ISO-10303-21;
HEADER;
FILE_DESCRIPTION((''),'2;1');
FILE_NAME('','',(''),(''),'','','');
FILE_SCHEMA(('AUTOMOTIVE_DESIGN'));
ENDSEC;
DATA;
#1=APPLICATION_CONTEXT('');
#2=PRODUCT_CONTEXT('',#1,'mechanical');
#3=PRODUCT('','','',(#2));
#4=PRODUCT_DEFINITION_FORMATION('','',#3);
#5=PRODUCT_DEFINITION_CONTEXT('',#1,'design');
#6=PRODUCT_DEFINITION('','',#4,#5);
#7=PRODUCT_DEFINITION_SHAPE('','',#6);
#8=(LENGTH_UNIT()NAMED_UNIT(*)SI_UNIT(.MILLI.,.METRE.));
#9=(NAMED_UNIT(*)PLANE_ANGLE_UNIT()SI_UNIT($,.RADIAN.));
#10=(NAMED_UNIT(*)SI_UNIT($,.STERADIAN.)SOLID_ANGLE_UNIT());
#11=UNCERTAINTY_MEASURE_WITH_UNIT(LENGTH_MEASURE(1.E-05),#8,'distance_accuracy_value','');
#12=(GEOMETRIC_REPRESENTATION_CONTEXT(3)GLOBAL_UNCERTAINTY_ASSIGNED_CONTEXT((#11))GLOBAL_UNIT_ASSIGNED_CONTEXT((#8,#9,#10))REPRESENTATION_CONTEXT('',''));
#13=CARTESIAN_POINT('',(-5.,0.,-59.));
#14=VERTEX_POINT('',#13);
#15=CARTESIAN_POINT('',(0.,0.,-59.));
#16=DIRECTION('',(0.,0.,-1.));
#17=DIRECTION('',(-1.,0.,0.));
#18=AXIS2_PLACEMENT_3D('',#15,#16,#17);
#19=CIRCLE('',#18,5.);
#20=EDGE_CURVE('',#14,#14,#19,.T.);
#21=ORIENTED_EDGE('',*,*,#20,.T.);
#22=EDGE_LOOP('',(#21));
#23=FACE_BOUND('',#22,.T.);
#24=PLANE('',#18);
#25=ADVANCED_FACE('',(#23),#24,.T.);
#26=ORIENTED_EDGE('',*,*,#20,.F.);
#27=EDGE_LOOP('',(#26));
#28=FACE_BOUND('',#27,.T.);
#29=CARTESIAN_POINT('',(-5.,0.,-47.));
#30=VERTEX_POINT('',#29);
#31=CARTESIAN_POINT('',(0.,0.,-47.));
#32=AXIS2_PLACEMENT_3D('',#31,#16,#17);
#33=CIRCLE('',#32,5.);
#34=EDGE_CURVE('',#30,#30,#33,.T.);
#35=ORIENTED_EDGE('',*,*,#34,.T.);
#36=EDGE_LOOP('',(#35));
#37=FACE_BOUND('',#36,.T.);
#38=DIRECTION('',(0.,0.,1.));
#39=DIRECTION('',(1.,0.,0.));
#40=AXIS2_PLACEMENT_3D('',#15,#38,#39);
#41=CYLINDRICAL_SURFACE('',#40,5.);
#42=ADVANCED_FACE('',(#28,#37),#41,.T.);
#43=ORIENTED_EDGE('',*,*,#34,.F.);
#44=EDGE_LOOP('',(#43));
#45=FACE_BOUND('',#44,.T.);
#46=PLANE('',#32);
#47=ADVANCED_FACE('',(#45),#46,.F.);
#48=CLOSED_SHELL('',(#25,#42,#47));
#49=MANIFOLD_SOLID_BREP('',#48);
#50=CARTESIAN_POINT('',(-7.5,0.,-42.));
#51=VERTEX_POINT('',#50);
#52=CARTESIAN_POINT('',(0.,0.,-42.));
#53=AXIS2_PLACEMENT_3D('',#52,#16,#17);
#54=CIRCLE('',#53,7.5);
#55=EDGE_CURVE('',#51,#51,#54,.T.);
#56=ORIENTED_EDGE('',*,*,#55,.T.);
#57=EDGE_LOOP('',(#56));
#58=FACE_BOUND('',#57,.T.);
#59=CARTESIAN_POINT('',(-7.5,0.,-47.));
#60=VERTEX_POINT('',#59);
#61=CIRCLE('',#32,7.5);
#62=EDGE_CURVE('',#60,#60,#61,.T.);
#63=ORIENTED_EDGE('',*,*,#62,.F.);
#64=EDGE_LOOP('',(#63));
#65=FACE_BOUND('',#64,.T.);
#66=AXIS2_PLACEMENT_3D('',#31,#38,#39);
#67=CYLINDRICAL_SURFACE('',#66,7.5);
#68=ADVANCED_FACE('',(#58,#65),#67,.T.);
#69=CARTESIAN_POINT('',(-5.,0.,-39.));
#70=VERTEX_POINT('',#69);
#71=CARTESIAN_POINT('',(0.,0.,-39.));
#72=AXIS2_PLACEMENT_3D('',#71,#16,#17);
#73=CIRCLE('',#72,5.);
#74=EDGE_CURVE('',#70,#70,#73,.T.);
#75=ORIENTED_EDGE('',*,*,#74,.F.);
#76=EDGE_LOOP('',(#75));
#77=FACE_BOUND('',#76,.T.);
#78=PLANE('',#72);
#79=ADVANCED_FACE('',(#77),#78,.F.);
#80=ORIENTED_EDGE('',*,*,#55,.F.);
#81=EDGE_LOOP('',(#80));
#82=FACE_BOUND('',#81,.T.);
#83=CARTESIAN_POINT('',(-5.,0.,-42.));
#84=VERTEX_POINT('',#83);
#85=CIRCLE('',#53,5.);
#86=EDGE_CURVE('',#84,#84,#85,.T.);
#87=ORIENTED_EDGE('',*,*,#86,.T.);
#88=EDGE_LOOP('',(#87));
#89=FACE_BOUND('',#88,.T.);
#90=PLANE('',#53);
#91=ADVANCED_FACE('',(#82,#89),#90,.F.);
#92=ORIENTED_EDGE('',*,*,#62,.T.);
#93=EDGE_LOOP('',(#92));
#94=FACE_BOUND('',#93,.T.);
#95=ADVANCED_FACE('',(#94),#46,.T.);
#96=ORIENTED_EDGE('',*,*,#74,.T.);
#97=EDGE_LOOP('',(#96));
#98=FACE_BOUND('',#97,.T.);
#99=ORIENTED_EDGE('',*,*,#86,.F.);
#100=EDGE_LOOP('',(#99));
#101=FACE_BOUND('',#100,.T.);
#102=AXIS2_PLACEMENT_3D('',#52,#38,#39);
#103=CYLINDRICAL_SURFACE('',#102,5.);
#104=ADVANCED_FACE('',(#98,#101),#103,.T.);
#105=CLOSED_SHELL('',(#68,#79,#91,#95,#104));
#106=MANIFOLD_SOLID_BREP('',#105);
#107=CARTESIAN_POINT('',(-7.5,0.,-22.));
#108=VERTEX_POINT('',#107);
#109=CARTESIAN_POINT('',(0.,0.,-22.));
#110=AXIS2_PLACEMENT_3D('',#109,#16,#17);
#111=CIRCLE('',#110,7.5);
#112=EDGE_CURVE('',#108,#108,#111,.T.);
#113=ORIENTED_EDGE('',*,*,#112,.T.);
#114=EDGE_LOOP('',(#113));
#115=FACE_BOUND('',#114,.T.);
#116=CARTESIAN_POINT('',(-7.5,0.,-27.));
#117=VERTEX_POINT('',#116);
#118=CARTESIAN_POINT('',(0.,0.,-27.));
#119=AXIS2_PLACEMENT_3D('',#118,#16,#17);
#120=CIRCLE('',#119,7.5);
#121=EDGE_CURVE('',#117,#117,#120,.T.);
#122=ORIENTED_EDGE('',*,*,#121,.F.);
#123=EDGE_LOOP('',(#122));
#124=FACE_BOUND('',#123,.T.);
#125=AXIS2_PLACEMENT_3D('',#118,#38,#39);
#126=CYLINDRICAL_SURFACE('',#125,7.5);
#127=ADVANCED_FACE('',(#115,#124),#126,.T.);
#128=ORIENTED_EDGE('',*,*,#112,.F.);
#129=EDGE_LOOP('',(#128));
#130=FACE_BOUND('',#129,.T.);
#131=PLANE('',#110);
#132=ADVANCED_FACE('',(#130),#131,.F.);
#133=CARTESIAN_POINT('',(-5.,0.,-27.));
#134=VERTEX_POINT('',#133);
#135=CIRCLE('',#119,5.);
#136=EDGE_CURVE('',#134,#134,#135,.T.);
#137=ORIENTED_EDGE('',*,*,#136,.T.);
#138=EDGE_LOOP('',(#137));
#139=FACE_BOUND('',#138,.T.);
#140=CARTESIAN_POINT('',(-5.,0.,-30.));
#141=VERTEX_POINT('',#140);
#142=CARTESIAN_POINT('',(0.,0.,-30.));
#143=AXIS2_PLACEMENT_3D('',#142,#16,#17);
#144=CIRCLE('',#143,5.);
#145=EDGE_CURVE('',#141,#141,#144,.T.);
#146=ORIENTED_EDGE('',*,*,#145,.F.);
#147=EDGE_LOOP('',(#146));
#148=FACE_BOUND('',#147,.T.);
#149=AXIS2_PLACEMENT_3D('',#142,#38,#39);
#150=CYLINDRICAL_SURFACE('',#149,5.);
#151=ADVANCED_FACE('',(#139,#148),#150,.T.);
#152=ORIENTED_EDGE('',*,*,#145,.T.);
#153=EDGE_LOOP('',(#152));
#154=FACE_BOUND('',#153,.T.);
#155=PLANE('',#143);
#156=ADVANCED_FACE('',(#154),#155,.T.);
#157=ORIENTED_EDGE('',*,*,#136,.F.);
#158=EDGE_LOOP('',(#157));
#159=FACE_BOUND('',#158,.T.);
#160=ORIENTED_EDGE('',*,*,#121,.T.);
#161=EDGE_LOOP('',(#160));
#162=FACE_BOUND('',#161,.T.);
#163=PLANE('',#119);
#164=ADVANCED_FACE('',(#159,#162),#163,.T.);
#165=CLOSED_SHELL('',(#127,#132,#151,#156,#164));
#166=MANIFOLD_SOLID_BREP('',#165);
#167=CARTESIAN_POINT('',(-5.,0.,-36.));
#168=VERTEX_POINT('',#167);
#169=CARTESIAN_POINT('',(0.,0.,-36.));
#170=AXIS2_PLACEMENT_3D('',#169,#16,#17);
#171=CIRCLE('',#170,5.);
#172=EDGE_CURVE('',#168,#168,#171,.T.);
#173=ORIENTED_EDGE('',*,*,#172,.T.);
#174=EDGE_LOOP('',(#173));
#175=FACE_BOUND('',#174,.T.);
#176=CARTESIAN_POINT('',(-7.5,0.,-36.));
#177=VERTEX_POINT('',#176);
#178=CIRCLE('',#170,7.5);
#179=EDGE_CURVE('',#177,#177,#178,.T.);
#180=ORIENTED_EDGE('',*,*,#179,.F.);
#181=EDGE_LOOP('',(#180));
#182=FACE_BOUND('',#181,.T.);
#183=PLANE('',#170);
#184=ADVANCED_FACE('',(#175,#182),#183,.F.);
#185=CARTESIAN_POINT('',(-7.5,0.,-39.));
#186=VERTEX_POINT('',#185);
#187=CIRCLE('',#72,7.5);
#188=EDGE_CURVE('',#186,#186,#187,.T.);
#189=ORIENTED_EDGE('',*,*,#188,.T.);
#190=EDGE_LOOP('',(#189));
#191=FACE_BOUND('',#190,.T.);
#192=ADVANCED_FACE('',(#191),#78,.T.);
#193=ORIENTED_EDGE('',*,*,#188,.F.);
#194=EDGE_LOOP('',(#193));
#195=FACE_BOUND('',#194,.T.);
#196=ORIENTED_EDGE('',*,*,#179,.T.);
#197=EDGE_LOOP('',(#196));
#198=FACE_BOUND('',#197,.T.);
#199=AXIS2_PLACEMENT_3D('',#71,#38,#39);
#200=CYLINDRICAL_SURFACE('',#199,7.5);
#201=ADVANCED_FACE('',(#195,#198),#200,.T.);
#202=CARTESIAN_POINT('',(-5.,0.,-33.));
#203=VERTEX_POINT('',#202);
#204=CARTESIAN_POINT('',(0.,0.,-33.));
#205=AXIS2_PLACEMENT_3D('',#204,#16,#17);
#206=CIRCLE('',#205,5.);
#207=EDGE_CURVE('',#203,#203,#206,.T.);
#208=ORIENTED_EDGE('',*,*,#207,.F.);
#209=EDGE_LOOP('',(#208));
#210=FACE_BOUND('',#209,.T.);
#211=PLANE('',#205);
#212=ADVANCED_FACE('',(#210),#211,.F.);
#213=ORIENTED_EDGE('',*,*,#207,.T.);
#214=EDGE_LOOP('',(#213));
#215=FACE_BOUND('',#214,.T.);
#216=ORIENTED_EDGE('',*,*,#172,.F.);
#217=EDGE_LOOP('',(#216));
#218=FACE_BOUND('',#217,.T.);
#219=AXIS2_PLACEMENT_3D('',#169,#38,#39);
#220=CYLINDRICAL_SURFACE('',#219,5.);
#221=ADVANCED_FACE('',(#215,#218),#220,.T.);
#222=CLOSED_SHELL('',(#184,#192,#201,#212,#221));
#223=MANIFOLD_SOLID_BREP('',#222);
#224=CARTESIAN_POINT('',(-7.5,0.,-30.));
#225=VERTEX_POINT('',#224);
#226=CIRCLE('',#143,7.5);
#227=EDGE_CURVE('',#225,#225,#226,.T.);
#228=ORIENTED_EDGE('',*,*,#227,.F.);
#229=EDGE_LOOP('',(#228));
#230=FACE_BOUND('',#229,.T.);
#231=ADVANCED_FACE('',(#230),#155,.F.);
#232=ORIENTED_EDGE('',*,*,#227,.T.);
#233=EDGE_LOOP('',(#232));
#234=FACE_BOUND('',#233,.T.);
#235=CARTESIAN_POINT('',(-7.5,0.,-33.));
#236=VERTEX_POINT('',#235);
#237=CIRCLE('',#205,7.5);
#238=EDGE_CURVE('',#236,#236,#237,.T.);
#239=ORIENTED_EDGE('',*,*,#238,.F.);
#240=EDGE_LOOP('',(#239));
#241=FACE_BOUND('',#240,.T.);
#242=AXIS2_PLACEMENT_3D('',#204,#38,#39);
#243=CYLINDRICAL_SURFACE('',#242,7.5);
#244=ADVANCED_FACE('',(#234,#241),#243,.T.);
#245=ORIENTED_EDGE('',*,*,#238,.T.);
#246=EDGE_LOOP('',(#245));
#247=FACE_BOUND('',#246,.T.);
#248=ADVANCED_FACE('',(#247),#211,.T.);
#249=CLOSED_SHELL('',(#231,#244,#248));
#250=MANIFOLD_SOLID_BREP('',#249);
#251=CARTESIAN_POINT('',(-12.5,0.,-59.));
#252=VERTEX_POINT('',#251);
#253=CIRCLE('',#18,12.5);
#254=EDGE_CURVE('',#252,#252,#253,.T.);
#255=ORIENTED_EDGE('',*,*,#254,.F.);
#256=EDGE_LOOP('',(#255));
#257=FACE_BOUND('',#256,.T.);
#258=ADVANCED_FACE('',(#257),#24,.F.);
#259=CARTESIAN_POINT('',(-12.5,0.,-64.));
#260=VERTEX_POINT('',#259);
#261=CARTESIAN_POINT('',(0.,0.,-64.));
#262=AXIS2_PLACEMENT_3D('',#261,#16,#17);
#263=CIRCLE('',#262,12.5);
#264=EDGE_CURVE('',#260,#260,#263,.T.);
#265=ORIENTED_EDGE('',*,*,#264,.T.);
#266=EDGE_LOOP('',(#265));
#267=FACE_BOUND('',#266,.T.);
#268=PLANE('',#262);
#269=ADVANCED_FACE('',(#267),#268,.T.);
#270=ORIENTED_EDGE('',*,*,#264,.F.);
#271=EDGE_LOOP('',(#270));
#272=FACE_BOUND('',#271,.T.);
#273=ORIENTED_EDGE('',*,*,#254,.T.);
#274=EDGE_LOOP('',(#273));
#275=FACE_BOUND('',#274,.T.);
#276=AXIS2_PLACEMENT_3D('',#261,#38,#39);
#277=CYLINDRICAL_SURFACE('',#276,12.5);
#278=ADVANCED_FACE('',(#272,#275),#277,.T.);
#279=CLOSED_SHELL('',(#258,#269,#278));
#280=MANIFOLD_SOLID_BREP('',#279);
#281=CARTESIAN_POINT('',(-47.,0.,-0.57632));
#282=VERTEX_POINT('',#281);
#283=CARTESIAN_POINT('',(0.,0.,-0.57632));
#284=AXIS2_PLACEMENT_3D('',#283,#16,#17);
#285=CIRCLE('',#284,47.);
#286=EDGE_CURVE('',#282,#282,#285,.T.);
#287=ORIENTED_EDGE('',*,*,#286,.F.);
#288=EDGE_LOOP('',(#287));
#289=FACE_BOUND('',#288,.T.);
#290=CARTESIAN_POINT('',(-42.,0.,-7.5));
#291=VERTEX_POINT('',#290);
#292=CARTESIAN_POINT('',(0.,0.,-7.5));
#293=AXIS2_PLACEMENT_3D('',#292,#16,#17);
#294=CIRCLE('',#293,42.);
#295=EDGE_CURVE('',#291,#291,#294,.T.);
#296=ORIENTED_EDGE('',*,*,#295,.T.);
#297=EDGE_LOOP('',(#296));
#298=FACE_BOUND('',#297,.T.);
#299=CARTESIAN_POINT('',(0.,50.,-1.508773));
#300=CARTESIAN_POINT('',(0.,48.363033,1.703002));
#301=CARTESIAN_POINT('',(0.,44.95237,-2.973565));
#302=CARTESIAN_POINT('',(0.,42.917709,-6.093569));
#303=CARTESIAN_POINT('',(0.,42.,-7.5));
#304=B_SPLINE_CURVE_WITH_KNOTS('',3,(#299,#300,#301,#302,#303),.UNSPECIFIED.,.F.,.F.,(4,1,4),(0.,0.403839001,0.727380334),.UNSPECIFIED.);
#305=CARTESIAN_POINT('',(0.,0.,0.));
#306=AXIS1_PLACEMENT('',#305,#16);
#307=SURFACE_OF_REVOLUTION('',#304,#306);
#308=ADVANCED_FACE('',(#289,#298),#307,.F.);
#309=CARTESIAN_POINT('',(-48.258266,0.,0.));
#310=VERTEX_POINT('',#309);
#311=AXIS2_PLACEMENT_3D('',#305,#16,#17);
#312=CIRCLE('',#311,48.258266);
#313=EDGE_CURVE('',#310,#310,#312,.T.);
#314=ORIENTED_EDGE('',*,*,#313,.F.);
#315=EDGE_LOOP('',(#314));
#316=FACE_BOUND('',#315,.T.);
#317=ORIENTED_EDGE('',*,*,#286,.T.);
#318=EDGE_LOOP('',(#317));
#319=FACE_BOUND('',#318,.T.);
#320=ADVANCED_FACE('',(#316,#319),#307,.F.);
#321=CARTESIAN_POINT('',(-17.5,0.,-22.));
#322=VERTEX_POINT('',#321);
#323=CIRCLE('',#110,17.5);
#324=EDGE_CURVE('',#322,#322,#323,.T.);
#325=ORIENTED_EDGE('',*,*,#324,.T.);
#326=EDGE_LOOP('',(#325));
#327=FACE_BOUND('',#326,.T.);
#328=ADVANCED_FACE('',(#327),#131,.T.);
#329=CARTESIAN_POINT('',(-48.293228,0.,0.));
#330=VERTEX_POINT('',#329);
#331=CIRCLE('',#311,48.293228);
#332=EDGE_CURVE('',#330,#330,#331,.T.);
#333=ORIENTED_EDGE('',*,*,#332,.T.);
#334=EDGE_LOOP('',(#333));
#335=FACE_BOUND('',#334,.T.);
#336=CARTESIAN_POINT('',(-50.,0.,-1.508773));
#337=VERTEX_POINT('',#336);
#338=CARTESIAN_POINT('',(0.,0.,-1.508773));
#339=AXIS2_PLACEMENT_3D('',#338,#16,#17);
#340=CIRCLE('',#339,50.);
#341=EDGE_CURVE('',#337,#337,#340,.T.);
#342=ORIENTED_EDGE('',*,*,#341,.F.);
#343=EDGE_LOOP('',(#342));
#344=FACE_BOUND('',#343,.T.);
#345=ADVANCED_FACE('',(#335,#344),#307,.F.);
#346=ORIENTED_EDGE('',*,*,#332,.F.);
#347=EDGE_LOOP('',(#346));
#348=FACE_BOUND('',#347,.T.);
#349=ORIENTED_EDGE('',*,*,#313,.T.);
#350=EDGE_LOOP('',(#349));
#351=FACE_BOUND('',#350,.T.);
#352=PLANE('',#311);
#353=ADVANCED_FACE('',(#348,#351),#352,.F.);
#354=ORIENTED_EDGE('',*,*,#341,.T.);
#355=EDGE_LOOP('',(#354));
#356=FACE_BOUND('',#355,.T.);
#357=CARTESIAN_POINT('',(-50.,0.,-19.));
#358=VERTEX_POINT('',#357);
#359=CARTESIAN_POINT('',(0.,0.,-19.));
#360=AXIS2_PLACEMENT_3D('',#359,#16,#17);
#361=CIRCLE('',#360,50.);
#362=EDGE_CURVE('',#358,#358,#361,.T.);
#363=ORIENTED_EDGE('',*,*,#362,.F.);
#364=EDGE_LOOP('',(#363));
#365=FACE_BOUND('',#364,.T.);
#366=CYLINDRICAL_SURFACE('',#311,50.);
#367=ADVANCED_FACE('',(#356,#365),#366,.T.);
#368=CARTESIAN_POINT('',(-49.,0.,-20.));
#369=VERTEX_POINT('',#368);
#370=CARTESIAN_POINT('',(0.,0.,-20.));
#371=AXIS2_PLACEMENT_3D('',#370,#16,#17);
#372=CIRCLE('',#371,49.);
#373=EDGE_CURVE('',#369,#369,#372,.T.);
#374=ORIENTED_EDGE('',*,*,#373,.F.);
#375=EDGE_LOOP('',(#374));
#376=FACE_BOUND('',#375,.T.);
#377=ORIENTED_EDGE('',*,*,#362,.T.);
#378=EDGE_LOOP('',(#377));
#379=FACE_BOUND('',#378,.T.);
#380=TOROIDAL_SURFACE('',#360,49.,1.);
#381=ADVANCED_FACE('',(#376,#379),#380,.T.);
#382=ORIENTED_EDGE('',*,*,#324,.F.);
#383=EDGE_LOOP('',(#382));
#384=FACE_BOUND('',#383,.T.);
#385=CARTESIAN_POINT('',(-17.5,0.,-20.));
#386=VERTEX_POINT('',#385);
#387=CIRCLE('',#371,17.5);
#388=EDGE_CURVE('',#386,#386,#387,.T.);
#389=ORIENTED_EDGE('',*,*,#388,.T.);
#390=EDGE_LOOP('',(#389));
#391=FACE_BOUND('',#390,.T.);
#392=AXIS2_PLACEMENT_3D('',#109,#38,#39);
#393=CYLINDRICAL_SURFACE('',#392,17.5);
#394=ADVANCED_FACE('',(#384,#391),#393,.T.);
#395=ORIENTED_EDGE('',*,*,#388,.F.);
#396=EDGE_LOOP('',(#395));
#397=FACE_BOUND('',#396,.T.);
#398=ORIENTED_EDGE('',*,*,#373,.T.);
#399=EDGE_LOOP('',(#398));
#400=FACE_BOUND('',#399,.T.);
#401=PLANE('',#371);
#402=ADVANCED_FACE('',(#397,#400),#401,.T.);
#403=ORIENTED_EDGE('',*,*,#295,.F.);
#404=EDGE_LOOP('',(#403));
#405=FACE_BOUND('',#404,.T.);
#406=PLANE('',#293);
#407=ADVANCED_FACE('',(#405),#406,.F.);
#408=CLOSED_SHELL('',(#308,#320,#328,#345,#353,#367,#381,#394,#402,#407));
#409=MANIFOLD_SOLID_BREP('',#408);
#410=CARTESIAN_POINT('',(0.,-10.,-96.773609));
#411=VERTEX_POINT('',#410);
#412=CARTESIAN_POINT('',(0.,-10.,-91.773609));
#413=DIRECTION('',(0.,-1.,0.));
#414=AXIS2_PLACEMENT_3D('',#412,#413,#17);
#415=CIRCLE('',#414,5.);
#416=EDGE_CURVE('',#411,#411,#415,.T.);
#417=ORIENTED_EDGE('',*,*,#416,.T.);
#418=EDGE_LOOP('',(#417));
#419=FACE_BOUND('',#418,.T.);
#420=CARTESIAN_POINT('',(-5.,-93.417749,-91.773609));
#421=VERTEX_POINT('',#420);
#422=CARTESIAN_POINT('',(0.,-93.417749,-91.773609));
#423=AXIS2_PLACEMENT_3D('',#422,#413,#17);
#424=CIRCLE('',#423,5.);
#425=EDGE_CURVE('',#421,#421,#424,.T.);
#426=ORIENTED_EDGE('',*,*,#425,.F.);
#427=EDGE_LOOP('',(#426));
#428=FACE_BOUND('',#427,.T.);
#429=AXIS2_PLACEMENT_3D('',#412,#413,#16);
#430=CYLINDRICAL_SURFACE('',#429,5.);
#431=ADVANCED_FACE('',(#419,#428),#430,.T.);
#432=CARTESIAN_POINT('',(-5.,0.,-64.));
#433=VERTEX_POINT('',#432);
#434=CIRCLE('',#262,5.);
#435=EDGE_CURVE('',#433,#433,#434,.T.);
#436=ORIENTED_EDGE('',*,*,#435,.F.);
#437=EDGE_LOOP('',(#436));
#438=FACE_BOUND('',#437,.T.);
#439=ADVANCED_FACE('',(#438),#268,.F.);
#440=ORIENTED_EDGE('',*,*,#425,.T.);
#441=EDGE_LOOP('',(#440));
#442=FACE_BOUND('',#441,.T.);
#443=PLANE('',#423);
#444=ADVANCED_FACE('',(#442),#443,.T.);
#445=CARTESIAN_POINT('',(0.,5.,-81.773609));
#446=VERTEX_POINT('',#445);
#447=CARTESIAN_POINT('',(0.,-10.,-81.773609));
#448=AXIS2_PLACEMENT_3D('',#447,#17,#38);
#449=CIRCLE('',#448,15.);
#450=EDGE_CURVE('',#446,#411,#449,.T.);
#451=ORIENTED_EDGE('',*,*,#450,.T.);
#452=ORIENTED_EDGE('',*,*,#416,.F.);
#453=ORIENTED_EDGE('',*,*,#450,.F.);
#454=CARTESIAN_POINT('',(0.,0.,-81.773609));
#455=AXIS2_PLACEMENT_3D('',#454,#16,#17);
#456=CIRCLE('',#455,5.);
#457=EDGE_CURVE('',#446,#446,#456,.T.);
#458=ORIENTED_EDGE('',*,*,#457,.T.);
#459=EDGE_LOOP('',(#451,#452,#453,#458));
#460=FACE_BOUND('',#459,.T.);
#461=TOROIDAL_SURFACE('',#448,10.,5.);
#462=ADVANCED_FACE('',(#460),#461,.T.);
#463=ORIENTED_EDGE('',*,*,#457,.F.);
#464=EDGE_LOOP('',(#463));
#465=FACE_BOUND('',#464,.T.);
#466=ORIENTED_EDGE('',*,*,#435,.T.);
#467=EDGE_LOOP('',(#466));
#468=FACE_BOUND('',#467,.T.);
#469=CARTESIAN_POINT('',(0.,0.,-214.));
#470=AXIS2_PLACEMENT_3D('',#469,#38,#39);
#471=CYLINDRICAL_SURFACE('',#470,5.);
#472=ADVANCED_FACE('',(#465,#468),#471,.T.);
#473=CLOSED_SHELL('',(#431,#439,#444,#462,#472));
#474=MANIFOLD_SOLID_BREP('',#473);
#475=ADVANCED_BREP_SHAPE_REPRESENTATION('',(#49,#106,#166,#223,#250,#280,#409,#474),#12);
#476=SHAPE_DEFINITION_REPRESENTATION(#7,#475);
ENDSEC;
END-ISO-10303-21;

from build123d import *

# Parameters (mm, degrees)
SKETCH2_R            = 17.5
BOSS_EXTRUDE1_DEPTH  = 2
SKETCH4_R            = 7.5
BOSS_EXTRUDE2_DEPTH  = 5
SKETCH5_R            = 5
BOSS_EXTRUDE3_DEPTH  = 3
SKETCH6_R            = 7.5
BOSS_EXTRUDE4_DEPTH  = 3
SKETCH7_R            = 5
BOSS_EXTRUDE5_DEPTH  = 3
SKETCH8_R            = 7.5
BOSS_EXTRUDE6_DEPTH  = 3
SKETCH9_R            = 5
BOSS_EXTRUDE7_DEPTH  = 3
SKETCH10_R           = 7.5
BOSS_EXTRUDE8_DEPTH  = 5
SKETCH11_R           = 5
BOSS_EXTRUDE9_DEPTH  = 12
SKETCH12_R           = 12.5
BOSS_EXTRUDE10_DEPTH = 5
SKETCH13_R           = 5
BOSS_EXTRUDE11_DEPTH = 150
SKETCH15_W           = 126.965595496
SKETCH15_H           = 152.993542573
CUT_EXTRUDE1_DEPTH   = 84
SKETCH16_R           = 5


with BuildPart() as part:
    # Sketch1 → Revolve1 (revolve)
    with BuildSketch(Plane(origin=(0, 0, 0), x_dir=(0, 0, -1), z_dir=(1, 0, 0)), mode=Mode.PRIVATE) as revolve1_sk:
        with BuildLine():
            Line((7.5, 42), (7.5, 0))
            Line((7.5, 0), (20, 0))
            Line((20, 0), (20, 49))
            ThreePointArc((20, 49), (19.707106781, 49.707106781), (19, 50))
            Line((19, 50), (1.508773395, 50))
            add(Edge.make_bspline(
                [(1.508773395, 50), (0.432324338, 49.451358887), (0.008310505, 48.873891546), (0, 48.293227533)],
                knots=[0, 0, 0, 0, 0.135349479, 0.135349479, 0.135349479, 0.135349479], degree=3))
            Line((0, 48.293227533), (0, 48.258265787))
            add(Edge.make_bspline(
                [(0, 48.258265787), (0.016256181, 47.11783752), (3.565780066, 44.566166731), (6.093568686, 42.91770881), (7.5, 42)],
                knots=[0.138065657, 0.138065657, 0.138065657, 0.138065657, 0.403839001, 0.727380334, 0.727380334, 0.727380334, 0.727380334], degree=3))
        make_face()
    revolve(revolve1_sk.sketch.rotate(Axis((0, 0, 0), (0, 0, -1)), 270), axis=Axis((0, 0, 0), (0, 0, -1)))

    # Sketch2 → Boss-Extrude1 (add)
    with BuildSketch(Plane(origin=(0, 0, -20), x_dir=(-1, 0, 0), z_dir=(0, 0, -1))):
        Circle(SKETCH2_R)
    extrude(amount=BOSS_EXTRUDE1_DEPTH)


with BuildPart() as body_2:
    # Sketch4 → Boss-Extrude2 (new body)
    with BuildSketch(Plane(origin=(0, 0, -22), x_dir=(-1, 0, 0), z_dir=(0, 0, -1))):
        Circle(SKETCH4_R)
    extrude(amount=BOSS_EXTRUDE2_DEPTH)

    # Sketch5 → Boss-Extrude3 (add)
    with BuildSketch(Plane(origin=(0, 0, -27), x_dir=(-1, 0, 0), z_dir=(0, 0, -1))):
        Circle(SKETCH5_R)
    extrude(amount=BOSS_EXTRUDE3_DEPTH)


with BuildPart() as body_3:
    # Sketch6 → Boss-Extrude4 (new body)
    with BuildSketch(Plane(origin=(0, 0, -30), x_dir=(-1, 0, 0), z_dir=(0, 0, -1))):
        Circle(SKETCH6_R)
    extrude(amount=BOSS_EXTRUDE4_DEPTH)


with BuildPart() as body_4:
    # Sketch7 → Boss-Extrude5 (new body)
    with BuildSketch(Plane(origin=(0, 0, -33), x_dir=(-1, 0, 0), z_dir=(0, 0, -1))):
        Circle(SKETCH7_R)
    extrude(amount=BOSS_EXTRUDE5_DEPTH)

    # Sketch8 → Boss-Extrude6 (add)
    with BuildSketch(Plane(origin=(0, 0, -36), x_dir=(-1, 0, 0), z_dir=(0, 0, -1))):
        Circle(SKETCH8_R)
    extrude(amount=BOSS_EXTRUDE6_DEPTH)


with BuildPart() as body_5:
    # Sketch9 → Boss-Extrude7 (new body)
    with BuildSketch(Plane(origin=(0, 0, -39), x_dir=(-1, 0, 0), z_dir=(0, 0, -1))):
        Circle(SKETCH9_R)
    extrude(amount=BOSS_EXTRUDE7_DEPTH)

    # Sketch10 → Boss-Extrude8 (add)
    with BuildSketch(Plane(origin=(0, 0, -42), x_dir=(-1, 0, 0), z_dir=(0, 0, -1))):
        Circle(SKETCH10_R)
    extrude(amount=BOSS_EXTRUDE8_DEPTH)


with BuildPart() as body_6:
    # Sketch11 → Boss-Extrude9 (new body)
    with BuildSketch(Plane(origin=(0, 0, -47), x_dir=(-1, 0, 0), z_dir=(0, 0, -1))):
        Circle(SKETCH11_R)
    extrude(amount=BOSS_EXTRUDE9_DEPTH)


with BuildPart() as body_7:
    # Sketch12 → Boss-Extrude10 (new body)
    with BuildSketch(Plane(origin=(0, 0, -59), x_dir=(-1, 0, 0), z_dir=(0, 0, -1))):
        Circle(SKETCH12_R)
    extrude(amount=BOSS_EXTRUDE10_DEPTH)


with BuildPart() as body_8:
    # Sketch13 → Boss-Extrude11 (new body)
    with BuildSketch(Plane(origin=(0, 0, -64), x_dir=(-1, 0, 0), z_dir=(0, 0, -1))):
        Circle(SKETCH13_R)
    extrude(amount=BOSS_EXTRUDE11_DEPTH)

    # Sketch15 → Cut-Extrude1 (cut, symmetric)
    with BuildSketch(Plane(origin=(0, 0, 0), x_dir=(1, 0, 0), z_dir=(0, 1, 0))):
        with Locations((-3.174139887, 154.9295123)):
            Rectangle(SKETCH15_W, SKETCH15_H)
    extrude(amount=CUT_EXTRUDE1_DEPTH, both=True, mode=Mode.SUBTRACT)

    # Sweep1: sweep along a path in Sketch17
    with BuildLine(Plane(origin=(0, 0, 0), x_dir=(0, 0, -1), z_dir=(1, 0, 0))) as sweep1_path:
        Line((78.432741013, 0), (81.773609231, 0))
        ThreePointArc((81.773609231, 0), (88.844677043, -2.928932188), (91.773609231, -10))
        Line((91.773609231, -10), (91.773609231, -93.417748551))
    # Sketch16 → Sweep1 (sweep)
    with BuildSketch(Plane(origin=(0, 0, -78.432741013), x_dir=(-1, 0, 0), z_dir=(0, 0, -1))):
        Circle(SKETCH16_R)
    sweep(path=sweep1_path.line)


solid = Compound([part.part, body_2.part, body_3.part, body_4.part, body_5.part, body_6.part, body_7.part, body_8.part])
